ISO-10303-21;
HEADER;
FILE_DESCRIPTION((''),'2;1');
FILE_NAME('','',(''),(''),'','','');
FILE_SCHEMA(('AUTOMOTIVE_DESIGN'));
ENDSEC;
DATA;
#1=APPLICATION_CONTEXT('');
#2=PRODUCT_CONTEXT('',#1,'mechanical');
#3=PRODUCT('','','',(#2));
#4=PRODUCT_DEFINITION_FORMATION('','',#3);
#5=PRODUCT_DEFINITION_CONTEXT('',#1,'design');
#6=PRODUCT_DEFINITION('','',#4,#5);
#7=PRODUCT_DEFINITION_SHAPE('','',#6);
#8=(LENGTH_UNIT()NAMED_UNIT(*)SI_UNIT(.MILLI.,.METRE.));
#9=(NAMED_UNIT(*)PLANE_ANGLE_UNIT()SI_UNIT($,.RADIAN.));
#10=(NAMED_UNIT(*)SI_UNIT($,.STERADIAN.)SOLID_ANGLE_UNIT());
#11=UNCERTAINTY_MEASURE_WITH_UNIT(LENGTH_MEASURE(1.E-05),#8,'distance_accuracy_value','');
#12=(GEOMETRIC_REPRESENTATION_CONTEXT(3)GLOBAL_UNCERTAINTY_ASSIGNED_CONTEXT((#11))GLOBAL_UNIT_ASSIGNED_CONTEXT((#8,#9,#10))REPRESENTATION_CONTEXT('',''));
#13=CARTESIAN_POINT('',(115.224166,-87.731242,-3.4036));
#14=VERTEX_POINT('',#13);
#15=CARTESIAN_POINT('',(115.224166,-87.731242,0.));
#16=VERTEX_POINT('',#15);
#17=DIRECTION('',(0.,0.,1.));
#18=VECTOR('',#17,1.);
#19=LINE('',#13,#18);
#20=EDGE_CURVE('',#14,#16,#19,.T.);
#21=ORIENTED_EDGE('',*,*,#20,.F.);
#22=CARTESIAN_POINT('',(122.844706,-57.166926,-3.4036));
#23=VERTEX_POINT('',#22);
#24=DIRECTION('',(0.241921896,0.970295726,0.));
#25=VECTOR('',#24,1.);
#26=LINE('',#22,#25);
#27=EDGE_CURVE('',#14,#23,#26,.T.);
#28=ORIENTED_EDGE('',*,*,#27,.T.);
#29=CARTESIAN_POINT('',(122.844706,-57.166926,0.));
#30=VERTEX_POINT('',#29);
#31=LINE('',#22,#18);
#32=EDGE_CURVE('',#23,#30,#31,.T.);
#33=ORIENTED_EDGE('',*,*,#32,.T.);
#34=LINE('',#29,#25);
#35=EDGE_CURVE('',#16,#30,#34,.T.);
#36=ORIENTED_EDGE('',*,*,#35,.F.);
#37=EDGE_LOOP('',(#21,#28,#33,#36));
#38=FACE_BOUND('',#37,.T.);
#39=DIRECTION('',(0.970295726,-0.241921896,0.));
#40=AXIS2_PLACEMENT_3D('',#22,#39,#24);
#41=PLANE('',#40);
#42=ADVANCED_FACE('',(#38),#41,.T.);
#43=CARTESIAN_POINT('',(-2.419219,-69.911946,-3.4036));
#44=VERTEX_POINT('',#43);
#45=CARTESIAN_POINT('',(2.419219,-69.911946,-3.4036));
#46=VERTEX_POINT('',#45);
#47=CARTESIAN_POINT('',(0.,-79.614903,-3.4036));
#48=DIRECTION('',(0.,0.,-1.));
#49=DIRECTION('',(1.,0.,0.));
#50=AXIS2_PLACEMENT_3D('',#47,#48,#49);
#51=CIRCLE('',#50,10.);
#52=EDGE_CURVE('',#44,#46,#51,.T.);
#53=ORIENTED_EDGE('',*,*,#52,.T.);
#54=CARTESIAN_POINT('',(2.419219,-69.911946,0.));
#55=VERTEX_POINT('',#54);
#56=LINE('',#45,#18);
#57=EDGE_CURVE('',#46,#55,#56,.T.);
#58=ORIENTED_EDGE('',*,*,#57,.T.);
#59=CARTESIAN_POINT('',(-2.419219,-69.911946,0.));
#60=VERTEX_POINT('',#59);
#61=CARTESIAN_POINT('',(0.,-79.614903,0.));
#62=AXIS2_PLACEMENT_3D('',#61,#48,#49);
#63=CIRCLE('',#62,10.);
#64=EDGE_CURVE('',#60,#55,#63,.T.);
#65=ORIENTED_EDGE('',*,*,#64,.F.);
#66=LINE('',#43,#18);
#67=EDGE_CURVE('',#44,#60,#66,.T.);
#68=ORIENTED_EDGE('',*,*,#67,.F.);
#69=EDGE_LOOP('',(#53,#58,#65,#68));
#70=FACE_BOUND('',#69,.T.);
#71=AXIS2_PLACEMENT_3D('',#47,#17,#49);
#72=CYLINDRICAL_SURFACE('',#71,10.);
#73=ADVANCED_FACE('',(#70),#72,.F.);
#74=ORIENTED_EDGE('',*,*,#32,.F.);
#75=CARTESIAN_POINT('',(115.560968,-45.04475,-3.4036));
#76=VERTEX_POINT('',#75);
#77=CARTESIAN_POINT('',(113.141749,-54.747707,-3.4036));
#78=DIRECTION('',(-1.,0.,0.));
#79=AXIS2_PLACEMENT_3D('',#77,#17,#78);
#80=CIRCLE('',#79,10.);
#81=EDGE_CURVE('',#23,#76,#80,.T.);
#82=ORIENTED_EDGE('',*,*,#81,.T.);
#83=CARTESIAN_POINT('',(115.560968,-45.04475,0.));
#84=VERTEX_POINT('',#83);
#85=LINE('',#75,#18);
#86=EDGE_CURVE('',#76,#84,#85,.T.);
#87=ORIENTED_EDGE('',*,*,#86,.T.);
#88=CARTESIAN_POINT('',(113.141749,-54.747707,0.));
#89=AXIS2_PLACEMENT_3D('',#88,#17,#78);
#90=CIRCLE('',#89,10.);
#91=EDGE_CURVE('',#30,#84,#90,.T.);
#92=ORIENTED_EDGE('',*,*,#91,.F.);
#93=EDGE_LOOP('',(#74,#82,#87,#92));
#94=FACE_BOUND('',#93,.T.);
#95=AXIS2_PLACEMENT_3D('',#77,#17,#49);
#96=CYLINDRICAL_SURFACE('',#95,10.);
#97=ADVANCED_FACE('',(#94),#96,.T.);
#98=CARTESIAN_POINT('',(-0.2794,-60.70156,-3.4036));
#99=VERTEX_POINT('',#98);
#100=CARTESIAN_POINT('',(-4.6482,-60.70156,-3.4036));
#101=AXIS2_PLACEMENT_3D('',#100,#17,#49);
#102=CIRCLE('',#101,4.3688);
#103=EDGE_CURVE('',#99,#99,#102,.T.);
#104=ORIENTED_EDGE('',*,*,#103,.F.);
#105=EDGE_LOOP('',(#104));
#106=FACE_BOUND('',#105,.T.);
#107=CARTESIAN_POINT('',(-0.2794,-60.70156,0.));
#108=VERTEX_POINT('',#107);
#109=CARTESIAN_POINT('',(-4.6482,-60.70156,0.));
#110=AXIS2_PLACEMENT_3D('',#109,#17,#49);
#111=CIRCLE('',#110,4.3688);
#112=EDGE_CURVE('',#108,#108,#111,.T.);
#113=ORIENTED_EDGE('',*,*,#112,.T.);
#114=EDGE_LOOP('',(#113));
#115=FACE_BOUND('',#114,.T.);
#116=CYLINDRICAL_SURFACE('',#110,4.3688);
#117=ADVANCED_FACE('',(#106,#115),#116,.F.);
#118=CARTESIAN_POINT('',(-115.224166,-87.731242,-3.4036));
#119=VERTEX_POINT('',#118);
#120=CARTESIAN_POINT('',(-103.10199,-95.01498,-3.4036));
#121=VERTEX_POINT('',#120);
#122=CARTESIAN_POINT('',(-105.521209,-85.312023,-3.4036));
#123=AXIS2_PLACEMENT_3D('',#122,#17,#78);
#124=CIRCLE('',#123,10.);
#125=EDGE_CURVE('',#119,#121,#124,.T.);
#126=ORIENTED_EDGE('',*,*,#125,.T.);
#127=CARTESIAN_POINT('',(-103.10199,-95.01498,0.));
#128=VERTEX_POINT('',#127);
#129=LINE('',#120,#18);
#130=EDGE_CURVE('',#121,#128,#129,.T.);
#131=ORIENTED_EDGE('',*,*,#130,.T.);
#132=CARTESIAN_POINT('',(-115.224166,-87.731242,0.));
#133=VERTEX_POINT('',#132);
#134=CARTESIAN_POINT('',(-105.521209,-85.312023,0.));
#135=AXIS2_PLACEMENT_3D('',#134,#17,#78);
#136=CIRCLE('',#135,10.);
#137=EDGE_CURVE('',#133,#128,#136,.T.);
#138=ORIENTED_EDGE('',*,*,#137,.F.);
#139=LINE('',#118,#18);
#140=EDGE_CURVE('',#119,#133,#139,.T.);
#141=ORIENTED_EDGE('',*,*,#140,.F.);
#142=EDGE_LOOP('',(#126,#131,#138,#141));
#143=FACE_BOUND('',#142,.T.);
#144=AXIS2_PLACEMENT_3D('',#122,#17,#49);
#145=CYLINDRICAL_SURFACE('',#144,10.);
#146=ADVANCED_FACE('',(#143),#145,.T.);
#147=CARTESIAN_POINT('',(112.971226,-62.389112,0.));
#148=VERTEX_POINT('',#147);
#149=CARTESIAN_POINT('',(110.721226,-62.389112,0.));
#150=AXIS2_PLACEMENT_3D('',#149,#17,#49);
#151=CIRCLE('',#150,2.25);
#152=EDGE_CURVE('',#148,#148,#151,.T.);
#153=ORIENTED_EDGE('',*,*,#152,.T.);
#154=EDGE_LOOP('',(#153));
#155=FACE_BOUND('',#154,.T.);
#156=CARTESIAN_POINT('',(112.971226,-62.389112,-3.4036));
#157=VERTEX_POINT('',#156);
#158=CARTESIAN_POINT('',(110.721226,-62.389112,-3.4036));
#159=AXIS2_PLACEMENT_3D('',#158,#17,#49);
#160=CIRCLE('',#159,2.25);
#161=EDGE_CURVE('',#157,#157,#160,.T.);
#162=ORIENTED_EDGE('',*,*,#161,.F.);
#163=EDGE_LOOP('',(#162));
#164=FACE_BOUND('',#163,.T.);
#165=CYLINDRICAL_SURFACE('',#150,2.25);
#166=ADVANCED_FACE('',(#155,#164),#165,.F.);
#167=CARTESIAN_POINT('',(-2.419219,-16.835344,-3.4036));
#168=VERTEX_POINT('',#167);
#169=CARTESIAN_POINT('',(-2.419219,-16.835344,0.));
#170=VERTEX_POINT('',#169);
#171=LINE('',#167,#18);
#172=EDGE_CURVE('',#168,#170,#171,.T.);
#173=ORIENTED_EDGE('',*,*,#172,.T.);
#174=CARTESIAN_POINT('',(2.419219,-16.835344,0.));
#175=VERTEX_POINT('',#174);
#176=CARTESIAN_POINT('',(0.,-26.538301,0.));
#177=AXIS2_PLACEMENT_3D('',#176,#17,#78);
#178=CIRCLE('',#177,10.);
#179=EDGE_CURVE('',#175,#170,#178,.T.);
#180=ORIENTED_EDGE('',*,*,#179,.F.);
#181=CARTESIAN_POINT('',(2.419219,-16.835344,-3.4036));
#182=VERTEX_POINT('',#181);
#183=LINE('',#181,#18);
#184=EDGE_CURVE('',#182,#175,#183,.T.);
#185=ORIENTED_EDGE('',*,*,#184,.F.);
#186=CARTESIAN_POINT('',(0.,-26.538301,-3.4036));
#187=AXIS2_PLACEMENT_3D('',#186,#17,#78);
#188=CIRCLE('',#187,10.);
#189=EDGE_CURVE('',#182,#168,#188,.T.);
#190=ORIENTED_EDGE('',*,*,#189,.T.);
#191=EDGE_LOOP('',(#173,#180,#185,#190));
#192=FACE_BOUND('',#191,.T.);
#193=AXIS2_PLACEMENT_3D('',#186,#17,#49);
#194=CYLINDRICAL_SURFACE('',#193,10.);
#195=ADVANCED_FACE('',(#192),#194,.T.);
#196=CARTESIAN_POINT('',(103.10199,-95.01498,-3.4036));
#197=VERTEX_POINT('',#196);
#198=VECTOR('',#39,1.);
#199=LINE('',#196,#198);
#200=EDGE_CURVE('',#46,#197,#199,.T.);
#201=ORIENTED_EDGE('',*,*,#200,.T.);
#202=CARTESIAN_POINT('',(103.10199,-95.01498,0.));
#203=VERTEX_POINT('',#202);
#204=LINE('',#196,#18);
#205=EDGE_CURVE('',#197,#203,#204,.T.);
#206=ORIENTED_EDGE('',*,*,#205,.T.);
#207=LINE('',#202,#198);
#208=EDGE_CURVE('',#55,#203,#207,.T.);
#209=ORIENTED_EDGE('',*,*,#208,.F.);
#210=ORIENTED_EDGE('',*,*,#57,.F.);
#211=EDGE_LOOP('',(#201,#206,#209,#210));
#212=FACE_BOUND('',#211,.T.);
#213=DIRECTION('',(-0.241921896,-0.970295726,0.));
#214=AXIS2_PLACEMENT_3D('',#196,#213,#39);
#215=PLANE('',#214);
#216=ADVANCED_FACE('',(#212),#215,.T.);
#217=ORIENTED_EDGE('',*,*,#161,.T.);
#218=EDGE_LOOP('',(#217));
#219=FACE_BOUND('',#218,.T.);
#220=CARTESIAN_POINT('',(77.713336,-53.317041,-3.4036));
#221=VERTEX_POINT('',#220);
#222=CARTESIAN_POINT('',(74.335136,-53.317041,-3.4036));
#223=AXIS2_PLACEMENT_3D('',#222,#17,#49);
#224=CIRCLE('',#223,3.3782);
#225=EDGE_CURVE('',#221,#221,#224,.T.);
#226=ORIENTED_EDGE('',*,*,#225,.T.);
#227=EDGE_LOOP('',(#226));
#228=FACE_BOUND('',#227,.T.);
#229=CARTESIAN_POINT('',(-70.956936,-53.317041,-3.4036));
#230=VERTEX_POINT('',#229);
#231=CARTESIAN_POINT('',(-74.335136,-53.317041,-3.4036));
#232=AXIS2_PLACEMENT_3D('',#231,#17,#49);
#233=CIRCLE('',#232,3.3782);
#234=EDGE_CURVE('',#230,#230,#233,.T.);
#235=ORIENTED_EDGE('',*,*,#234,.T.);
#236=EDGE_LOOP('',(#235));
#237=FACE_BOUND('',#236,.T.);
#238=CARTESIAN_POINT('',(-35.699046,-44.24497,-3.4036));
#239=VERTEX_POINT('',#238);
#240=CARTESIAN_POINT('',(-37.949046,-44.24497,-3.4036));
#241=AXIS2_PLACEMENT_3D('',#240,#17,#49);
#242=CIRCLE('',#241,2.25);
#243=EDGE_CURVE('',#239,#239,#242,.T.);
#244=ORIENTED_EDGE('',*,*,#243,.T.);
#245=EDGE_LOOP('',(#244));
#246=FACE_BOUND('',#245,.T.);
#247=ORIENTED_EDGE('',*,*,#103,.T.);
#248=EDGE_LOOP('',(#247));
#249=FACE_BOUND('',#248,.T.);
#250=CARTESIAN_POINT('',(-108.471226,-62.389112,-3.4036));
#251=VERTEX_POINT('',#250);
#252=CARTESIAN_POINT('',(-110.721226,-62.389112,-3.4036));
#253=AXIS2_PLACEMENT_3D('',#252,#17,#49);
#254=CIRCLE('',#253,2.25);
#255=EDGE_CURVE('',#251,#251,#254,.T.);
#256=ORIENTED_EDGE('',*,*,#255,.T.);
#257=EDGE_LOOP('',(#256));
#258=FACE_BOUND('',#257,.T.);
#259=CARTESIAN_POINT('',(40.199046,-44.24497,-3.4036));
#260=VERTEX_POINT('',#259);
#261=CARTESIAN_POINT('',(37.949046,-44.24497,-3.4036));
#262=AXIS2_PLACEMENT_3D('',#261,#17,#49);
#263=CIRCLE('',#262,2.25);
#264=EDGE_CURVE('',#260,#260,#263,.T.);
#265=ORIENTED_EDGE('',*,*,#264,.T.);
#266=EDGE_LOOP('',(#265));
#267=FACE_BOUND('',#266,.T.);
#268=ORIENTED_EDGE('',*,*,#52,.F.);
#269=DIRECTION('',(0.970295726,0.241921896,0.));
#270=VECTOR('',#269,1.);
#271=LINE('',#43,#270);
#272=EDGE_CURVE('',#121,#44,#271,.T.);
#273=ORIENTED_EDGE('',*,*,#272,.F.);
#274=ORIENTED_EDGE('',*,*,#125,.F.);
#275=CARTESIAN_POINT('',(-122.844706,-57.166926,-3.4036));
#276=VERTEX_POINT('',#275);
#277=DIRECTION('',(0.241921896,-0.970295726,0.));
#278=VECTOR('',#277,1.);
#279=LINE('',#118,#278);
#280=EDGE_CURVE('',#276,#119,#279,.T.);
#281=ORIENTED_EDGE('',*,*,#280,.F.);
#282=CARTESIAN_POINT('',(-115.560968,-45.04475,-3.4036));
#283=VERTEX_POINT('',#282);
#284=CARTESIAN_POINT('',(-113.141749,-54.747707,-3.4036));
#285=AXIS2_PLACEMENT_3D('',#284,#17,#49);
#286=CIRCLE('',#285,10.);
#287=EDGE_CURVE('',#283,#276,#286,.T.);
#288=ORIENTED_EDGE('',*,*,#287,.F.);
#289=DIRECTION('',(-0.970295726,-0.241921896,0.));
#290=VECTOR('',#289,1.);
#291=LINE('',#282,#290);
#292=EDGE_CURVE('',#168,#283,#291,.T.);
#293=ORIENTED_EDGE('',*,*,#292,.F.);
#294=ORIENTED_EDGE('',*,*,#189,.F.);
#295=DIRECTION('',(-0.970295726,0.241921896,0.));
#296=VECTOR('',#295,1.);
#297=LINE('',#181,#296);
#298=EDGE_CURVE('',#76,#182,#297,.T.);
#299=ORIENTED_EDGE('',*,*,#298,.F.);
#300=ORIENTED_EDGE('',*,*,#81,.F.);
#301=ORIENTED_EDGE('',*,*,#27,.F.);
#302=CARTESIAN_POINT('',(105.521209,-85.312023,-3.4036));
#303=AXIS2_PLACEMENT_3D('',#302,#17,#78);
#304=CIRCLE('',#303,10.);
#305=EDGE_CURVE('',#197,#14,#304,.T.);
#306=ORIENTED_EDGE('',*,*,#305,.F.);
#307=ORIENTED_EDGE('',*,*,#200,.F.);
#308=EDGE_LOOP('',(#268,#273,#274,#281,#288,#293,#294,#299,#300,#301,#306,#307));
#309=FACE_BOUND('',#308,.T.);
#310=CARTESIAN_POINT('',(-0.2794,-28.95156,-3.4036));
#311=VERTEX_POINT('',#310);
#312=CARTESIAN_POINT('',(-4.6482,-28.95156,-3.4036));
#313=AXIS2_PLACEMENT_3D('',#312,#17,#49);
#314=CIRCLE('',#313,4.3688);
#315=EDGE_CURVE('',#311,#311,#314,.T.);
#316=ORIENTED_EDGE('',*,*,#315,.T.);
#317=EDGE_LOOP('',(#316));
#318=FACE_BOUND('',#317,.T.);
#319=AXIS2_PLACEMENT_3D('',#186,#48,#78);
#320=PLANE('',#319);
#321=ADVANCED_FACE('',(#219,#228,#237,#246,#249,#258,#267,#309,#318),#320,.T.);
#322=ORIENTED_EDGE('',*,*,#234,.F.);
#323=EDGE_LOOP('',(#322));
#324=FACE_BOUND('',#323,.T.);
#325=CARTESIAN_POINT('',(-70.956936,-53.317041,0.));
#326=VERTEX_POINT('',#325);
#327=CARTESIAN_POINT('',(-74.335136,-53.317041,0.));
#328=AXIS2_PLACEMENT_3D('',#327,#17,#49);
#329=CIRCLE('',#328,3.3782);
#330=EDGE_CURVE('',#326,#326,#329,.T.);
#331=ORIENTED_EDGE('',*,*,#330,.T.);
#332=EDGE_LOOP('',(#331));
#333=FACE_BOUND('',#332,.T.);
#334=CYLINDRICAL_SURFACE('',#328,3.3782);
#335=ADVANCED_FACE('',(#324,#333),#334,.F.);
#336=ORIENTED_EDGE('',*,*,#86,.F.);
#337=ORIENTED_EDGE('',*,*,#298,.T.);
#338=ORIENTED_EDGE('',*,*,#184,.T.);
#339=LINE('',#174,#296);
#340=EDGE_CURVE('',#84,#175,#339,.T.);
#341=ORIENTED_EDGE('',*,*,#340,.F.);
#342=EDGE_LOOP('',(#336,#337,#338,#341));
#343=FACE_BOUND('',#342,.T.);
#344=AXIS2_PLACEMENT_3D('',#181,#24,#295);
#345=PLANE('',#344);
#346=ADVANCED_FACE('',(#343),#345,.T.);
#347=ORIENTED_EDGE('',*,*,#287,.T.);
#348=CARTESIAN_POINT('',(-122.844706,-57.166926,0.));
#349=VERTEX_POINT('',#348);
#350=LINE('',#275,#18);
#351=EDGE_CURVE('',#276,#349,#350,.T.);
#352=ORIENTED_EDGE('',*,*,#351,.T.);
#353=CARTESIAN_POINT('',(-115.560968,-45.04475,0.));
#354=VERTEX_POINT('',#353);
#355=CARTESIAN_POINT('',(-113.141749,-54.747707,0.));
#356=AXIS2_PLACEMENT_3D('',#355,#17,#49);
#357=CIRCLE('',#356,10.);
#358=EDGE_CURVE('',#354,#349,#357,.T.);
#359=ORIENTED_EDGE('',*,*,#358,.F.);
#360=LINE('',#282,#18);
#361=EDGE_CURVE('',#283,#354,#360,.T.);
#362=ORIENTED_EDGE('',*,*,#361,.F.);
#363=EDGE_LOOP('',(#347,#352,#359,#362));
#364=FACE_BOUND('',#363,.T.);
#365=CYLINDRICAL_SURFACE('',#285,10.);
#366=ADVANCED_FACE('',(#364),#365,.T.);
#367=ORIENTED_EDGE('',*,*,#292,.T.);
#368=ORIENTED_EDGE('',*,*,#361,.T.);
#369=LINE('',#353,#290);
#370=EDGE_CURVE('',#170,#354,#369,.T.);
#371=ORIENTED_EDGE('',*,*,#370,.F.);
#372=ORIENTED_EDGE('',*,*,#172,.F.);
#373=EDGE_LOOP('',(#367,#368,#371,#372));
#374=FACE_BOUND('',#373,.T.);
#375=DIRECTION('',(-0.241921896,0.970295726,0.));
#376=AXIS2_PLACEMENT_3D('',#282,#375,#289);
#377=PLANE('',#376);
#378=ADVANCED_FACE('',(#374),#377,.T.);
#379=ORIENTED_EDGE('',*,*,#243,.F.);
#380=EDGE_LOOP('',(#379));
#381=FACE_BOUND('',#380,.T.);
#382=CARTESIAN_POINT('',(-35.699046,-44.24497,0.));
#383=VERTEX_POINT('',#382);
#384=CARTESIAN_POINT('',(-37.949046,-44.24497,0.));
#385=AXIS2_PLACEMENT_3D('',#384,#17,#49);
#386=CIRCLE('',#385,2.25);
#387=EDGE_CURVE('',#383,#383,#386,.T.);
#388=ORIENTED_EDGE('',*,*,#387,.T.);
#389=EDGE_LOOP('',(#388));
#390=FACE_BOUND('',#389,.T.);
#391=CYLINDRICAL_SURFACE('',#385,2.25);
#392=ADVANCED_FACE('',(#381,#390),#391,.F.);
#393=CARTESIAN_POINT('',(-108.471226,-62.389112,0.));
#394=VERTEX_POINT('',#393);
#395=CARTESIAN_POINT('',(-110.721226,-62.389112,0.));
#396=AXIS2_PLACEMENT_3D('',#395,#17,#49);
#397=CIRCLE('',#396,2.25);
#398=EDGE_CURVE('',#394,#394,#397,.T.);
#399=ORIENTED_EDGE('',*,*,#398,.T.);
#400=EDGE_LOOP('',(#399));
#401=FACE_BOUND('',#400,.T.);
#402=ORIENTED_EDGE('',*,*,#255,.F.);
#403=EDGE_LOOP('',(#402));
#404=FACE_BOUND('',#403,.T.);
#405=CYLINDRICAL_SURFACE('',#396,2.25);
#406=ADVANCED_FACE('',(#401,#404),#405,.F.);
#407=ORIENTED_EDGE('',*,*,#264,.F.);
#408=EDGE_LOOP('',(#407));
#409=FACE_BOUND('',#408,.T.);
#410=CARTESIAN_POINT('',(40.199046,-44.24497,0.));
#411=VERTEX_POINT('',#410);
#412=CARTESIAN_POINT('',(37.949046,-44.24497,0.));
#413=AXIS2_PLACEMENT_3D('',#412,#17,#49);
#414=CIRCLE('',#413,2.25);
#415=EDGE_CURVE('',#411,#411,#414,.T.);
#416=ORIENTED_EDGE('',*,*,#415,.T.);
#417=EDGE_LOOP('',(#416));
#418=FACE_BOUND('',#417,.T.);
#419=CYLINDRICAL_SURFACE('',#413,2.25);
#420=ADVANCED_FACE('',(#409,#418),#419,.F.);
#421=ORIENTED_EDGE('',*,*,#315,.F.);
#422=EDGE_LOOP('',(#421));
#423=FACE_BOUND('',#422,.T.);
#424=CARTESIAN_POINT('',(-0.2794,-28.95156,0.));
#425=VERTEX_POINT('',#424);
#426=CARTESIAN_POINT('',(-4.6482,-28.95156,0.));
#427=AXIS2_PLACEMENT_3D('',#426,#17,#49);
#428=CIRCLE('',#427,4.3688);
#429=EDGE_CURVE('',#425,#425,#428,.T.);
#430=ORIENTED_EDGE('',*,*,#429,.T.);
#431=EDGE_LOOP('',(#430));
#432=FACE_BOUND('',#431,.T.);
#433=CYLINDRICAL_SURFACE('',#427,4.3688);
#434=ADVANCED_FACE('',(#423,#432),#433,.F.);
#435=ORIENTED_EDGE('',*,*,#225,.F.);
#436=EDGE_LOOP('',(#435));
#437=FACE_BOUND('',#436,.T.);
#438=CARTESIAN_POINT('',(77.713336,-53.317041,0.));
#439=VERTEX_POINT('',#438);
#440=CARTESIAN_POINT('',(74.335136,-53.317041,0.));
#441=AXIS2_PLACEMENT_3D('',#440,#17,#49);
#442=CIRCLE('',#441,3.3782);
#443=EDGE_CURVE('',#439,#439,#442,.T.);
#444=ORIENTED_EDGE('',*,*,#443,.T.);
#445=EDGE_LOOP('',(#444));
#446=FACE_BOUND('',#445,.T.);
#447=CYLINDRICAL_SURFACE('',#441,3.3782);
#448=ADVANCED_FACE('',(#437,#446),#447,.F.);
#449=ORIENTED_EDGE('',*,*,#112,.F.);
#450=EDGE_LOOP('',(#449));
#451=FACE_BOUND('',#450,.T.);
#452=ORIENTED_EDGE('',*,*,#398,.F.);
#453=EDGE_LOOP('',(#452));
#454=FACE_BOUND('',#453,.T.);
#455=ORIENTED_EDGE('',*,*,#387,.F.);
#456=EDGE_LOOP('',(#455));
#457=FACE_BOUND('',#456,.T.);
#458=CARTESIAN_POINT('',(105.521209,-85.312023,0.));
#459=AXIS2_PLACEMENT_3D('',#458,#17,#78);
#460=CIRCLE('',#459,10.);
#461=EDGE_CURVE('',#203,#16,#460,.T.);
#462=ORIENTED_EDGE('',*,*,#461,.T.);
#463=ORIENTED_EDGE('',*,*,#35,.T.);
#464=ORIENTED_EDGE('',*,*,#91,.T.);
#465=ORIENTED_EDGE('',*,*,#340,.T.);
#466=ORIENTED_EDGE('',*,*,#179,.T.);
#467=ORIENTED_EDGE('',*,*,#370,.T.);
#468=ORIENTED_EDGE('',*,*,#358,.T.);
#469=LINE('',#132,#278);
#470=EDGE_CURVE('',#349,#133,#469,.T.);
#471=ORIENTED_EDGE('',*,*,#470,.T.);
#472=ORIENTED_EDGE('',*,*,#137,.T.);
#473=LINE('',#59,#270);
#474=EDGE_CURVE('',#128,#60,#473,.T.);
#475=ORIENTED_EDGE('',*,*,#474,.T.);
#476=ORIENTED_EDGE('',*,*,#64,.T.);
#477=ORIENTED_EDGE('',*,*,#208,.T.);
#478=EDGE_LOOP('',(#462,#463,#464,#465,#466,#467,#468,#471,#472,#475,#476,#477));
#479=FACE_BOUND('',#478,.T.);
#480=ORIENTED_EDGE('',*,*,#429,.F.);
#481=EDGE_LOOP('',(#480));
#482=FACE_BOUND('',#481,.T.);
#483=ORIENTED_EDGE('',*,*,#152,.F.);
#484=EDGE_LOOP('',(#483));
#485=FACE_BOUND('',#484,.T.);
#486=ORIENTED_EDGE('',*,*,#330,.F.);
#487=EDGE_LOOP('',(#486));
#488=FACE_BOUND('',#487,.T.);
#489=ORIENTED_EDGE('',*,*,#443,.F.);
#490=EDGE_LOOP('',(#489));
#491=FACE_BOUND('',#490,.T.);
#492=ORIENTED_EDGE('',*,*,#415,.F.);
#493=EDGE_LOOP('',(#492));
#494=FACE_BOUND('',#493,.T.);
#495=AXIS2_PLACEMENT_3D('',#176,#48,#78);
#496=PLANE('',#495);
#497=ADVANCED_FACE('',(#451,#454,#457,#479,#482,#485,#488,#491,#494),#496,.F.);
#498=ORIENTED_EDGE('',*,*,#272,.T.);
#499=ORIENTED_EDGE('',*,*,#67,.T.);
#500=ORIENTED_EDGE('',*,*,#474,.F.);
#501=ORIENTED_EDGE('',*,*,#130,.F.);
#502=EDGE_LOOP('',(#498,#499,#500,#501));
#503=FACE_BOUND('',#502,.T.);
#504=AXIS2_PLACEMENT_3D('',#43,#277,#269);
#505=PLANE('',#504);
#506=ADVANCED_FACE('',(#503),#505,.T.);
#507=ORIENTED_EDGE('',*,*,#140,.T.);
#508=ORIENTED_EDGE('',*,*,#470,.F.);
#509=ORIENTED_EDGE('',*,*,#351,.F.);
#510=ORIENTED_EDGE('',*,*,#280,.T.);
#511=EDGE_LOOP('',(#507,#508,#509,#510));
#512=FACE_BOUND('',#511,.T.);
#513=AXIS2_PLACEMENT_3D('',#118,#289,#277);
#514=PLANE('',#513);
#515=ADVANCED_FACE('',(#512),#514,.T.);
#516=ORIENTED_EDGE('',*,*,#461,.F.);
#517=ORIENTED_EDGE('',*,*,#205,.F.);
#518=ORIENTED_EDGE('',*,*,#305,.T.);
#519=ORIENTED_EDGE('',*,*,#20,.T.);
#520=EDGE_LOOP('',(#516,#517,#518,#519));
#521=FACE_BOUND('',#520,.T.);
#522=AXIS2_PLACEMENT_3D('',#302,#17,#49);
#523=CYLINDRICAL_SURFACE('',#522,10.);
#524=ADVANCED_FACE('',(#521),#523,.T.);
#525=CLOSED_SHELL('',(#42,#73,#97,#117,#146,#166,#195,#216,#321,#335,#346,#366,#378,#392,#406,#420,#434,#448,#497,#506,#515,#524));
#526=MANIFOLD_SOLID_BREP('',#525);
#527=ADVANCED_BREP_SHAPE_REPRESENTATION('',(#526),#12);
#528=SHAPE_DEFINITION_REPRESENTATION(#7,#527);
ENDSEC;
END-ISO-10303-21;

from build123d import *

# Parameters (mm, degrees)
BOSS_EXTRUDE1_DEPTH             = 3.4036
F_1_4_CLEARANCE_HOLE1_D         = 6.7564
M4_CLEARANCE_HOLE1_D            = 4.5
HOLE_FOR_1_4_300_SC_NUTS_SP_1_D = 8.7376


with BuildPart() as part:
    # Sketch1 → Boss-Extrude1 (new body)
    with BuildSketch(Plane.XY):
        with BuildLine():
            Line((-115.560967743, -45.044749956), (-2.419218956, -16.835343693))
            ThreePointArc((-2.419218956, -16.835343693), (0, -16.538300956), (2.419218956, -16.835343693))
            Line((2.419218956, -16.835343693), (115.560967743, -45.044749956))
            ThreePointArc((115.560967743, -45.044749956), (121.713421794, -49.59732647), (122.84470605, -57.166926175))
            Line((122.84470605, -57.166926175), (115.224166338, -87.731241553))
            ThreePointArc((115.224166338, -87.731241553), (110.671589825, -93.883695604), (103.101990119, -95.014979859))
            Line((103.101990119, -95.014979859), (2.419218956, -69.911945605))
            ThreePointArc((2.419218956, -69.911945605), (0, -69.614902867), (-2.419218956, -69.911945605))
            Line((-2.419218956, -69.911945605), (-103.101990119, -95.014979859))
            ThreePointArc((-103.101990119, -95.014979859), (-110.671589825, -93.883695604), (-115.224166338, -87.731241553))
            Line((-115.224166338, -87.731241553), (-122.84470605, -57.166926175))
            ThreePointArc((-122.84470605, -57.166926175), (-121.713421794, -49.59732647), (-115.560967743, -45.044749956))
        make_face()
    extrude(amount=-BOSS_EXTRUDE1_DEPTH)

    # 1/4 Clearance Hole1 (through all)
    with Locations(Plane.XY):
        with Locations((-74.335136024, -53.317040996), (74.335136024, -53.317040996)):
            Hole(F_1_4_CLEARANCE_HOLE1_D / 2)

    # M4 Clearance Hole1 (through all)
    with Locations(Plane.XY):
        with Locations((-110.721225759, -62.389112081), (-37.949046288, -44.244969911), (37.949046288, -44.244969911), (110.721225759, -62.389112081)):
            Hole(M4_CLEARANCE_HOLE1_D / 2)

    # Hole for 1/4 300® SC Nuts (SP)1 (through all)
    with Locations(Plane.XY):
        with Locations((-4.6482, -60.701560235), (-4.6482, -28.951560235)):
            Hole(HOLE_FOR_1_4_300_SC_NUTS_SP_1_D / 2)


solid = part.part
